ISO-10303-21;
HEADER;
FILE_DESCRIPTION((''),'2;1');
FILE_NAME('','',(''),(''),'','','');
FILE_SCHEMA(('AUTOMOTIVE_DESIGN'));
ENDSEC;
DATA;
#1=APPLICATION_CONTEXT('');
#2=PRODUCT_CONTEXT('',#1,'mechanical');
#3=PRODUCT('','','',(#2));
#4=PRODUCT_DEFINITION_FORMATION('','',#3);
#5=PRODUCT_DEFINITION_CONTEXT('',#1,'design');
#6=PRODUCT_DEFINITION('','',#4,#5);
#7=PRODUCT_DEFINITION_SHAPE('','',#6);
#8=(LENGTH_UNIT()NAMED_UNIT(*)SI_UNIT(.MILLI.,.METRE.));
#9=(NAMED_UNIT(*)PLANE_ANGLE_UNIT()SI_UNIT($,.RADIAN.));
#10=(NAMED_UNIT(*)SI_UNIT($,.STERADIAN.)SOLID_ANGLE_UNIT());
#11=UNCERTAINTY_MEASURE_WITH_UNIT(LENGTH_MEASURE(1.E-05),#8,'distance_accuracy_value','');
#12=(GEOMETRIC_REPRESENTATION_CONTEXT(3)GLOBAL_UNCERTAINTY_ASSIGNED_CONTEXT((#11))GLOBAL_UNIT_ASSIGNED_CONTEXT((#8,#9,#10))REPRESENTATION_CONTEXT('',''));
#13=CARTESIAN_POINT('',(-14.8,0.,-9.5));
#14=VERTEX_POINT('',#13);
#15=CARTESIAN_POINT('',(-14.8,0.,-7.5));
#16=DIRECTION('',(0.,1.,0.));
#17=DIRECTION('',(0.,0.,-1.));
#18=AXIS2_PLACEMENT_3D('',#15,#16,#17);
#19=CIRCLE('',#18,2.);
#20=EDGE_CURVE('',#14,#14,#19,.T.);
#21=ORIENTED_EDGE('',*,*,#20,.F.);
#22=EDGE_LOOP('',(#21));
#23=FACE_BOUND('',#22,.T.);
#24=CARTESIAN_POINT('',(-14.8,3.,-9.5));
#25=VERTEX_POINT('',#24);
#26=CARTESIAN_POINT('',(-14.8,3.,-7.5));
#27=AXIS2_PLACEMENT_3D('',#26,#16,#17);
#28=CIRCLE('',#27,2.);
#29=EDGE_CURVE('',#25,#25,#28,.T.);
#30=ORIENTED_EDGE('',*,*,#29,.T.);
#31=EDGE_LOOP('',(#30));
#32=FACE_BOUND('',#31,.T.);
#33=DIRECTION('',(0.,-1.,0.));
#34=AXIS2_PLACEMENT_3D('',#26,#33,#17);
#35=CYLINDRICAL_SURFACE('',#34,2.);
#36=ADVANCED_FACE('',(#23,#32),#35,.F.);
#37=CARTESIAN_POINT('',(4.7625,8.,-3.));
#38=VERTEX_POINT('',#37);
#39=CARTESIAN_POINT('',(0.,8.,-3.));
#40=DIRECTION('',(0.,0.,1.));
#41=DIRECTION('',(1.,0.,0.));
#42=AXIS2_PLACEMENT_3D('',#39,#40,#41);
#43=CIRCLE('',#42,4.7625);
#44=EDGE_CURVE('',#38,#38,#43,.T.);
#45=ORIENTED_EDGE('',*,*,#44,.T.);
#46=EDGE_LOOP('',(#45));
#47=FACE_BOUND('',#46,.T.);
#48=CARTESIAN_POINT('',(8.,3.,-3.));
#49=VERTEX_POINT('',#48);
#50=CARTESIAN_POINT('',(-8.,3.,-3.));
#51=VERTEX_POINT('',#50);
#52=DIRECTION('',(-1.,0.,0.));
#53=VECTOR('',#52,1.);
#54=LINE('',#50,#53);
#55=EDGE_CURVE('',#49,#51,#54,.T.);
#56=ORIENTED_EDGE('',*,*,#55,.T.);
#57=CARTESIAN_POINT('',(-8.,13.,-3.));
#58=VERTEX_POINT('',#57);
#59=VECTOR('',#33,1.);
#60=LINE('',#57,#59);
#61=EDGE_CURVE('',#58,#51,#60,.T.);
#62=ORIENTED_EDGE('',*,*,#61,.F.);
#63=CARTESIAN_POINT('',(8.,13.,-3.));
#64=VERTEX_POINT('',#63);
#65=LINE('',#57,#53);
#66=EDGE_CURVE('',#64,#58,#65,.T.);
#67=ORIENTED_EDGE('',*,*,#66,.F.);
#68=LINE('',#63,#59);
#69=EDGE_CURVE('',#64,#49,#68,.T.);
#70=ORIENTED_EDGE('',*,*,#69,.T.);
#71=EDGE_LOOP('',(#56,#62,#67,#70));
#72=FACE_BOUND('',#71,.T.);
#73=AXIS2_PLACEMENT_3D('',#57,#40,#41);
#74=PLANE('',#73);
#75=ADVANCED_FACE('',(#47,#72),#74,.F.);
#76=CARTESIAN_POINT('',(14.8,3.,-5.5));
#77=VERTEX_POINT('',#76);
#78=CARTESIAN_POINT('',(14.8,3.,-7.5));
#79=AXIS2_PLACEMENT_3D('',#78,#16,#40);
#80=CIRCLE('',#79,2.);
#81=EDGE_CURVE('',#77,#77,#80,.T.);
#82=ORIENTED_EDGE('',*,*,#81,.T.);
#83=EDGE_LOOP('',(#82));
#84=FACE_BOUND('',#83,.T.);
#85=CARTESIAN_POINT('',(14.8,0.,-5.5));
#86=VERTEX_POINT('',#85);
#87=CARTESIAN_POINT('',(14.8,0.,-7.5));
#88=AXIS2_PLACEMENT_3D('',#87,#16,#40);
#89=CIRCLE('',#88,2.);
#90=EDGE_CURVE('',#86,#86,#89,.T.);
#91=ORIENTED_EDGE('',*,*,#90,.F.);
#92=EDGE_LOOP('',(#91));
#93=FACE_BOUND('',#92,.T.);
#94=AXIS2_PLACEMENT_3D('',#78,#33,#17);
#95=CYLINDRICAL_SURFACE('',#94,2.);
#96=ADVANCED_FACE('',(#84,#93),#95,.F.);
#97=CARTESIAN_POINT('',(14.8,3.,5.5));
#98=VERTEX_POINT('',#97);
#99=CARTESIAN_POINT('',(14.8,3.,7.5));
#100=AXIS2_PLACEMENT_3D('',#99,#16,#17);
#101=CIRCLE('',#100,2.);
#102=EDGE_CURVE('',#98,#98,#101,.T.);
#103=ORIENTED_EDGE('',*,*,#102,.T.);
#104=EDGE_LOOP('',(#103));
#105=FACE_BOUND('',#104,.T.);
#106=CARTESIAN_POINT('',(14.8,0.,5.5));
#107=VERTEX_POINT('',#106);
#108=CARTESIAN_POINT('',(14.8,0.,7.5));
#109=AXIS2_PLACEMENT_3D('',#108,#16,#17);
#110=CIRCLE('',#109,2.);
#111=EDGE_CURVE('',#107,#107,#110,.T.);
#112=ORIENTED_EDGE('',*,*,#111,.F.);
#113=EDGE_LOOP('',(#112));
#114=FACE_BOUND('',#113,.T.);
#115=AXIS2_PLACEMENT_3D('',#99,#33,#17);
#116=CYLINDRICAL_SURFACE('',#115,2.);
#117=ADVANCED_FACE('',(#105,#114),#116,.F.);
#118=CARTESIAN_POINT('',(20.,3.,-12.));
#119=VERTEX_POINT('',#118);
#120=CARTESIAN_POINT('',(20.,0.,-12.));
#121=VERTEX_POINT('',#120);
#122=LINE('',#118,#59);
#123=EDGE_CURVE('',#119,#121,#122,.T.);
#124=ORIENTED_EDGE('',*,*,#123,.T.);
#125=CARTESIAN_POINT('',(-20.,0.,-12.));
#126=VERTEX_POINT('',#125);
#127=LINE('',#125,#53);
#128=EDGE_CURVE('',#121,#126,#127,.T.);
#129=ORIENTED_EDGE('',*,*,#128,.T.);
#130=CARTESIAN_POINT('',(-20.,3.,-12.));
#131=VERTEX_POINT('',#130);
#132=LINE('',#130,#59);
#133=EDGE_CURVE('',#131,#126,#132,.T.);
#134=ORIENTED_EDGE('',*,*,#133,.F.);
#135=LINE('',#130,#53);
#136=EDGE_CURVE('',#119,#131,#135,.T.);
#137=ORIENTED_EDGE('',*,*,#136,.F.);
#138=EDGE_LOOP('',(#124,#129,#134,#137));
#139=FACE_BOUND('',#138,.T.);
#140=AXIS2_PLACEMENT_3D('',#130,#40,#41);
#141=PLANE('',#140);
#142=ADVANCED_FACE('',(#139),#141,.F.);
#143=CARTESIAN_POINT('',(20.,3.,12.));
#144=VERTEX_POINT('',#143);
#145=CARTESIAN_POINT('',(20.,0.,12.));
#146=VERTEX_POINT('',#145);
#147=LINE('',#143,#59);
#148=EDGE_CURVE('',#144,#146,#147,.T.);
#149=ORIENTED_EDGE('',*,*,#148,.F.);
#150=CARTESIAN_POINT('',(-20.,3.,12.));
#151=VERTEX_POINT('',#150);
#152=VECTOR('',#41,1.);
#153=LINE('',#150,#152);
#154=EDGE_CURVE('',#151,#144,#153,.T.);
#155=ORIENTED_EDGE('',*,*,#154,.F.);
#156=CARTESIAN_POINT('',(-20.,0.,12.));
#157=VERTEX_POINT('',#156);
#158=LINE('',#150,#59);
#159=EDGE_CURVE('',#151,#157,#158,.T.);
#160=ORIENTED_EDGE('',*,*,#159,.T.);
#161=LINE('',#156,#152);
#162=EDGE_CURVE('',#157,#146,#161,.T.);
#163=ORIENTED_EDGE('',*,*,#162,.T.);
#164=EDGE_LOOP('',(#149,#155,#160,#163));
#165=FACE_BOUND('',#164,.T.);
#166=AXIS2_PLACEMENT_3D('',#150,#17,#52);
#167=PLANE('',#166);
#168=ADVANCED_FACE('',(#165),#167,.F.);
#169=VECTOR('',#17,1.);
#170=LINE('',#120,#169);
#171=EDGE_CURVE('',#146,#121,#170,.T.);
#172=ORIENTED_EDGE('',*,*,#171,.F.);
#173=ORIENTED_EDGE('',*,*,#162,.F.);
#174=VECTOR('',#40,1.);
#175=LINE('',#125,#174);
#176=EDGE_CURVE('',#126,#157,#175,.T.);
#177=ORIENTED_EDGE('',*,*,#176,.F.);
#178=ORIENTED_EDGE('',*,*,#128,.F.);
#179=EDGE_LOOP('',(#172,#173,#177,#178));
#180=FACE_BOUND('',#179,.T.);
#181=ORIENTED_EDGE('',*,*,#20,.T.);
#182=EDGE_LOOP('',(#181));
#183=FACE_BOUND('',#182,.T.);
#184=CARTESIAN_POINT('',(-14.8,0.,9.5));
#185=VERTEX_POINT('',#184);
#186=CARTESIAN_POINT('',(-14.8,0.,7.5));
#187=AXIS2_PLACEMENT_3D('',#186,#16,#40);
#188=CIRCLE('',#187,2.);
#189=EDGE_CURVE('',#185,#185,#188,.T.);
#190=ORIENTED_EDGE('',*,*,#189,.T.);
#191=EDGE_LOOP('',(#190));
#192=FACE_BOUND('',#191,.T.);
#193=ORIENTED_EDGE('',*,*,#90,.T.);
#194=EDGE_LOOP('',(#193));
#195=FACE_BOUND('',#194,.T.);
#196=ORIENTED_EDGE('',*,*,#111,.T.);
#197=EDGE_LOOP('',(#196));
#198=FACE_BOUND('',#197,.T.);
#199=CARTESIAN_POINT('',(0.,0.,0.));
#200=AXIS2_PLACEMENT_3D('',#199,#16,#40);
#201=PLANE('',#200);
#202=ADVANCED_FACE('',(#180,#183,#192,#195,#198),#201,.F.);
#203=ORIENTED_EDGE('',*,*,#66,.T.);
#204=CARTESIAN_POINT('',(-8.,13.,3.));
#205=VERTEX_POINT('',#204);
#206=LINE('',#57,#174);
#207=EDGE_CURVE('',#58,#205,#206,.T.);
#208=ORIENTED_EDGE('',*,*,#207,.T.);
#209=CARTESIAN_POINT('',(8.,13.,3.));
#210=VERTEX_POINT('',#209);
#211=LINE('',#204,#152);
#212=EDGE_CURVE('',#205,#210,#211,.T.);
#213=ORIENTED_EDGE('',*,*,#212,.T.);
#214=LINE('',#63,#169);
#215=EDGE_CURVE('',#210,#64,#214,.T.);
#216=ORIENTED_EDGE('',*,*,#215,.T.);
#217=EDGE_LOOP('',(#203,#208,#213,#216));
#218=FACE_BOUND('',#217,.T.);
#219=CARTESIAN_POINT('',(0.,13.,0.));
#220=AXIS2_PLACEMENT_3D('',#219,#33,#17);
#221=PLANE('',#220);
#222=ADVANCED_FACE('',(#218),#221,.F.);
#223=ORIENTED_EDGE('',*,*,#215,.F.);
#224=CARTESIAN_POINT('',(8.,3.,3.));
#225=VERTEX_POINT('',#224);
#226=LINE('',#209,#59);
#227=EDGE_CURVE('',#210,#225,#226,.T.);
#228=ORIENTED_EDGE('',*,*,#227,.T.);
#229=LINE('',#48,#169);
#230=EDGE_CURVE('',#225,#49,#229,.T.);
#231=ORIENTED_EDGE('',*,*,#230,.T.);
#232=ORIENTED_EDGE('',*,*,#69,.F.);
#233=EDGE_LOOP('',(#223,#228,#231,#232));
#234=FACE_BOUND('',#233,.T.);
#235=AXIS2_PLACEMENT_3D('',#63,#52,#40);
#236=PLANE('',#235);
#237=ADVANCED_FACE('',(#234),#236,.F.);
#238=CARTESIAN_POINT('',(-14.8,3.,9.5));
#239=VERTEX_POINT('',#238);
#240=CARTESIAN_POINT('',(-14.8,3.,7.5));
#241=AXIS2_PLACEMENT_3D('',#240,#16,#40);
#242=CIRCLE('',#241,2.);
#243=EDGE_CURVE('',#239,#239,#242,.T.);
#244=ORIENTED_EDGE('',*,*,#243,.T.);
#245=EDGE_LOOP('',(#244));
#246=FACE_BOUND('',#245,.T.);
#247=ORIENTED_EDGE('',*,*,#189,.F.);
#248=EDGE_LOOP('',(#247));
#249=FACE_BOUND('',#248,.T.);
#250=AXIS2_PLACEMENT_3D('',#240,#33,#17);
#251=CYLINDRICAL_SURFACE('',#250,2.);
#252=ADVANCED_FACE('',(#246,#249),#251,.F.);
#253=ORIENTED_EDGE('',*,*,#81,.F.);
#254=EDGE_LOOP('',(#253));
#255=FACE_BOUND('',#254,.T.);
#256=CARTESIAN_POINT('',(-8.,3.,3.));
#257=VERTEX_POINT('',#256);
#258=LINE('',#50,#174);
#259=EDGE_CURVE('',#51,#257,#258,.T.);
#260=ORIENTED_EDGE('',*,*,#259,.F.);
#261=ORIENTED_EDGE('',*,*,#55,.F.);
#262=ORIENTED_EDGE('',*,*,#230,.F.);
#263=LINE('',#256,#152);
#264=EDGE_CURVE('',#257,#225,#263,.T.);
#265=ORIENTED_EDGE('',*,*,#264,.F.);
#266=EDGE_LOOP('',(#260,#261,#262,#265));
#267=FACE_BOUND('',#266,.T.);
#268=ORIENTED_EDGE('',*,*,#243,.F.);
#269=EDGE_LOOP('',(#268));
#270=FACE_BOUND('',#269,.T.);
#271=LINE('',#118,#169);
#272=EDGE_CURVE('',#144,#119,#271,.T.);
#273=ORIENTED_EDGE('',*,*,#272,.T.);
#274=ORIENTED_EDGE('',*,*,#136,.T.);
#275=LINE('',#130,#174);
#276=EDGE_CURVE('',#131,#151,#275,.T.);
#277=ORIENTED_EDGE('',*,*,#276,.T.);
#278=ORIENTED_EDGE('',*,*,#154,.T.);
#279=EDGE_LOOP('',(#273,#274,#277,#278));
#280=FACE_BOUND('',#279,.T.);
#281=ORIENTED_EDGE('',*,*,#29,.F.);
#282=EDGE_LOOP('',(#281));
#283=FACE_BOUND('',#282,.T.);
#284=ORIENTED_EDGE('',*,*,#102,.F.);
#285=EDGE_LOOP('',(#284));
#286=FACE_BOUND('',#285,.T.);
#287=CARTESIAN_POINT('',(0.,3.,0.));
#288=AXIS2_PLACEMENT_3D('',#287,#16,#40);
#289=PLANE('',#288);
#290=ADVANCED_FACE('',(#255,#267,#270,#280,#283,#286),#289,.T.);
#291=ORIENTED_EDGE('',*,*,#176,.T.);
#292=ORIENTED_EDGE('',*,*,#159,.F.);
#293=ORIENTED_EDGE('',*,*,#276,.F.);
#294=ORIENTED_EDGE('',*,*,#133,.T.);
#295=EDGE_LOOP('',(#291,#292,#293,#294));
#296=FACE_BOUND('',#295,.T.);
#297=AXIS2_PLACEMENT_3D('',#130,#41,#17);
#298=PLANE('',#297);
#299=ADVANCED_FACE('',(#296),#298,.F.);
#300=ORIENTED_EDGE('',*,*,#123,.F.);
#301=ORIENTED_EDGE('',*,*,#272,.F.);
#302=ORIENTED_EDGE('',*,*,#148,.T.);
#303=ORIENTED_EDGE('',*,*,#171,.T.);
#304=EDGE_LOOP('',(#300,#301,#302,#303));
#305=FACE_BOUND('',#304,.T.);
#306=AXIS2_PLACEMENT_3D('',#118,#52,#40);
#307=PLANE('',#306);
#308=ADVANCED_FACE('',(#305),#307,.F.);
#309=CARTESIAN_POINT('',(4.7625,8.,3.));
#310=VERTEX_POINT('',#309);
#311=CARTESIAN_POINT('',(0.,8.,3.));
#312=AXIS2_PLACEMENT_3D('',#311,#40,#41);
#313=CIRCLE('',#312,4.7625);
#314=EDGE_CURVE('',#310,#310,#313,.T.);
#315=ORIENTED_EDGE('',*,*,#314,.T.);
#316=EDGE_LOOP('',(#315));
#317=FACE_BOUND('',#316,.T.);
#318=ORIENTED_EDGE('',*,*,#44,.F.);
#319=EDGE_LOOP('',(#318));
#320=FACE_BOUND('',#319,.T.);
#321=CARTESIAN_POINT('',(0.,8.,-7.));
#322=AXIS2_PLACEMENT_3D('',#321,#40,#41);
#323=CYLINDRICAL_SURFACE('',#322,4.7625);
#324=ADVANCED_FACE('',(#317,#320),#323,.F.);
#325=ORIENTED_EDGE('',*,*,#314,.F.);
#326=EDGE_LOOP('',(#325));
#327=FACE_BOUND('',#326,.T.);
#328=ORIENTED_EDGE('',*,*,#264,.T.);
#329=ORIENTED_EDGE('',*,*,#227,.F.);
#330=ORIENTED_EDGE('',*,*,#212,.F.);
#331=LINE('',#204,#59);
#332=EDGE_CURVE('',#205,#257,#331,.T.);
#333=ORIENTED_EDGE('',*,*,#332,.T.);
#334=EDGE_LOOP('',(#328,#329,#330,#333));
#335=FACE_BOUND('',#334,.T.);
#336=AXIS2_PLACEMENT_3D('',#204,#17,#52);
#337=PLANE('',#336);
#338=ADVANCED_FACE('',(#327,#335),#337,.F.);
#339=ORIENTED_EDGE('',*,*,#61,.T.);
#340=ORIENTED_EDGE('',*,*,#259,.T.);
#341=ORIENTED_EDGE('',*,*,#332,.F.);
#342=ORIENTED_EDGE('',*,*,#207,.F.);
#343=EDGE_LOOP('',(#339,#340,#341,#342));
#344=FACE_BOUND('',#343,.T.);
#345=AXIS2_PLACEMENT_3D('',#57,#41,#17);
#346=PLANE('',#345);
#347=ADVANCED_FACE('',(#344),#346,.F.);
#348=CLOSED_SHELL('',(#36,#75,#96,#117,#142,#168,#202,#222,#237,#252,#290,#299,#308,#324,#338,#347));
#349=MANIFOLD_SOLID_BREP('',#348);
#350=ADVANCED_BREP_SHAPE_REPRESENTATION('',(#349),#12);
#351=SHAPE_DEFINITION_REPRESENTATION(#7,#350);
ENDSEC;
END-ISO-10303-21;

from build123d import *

# Parameters (mm, degrees)
SKETCH_1_W          = 40
SKETCH_1_H          = 24
SKETCH_1_R          = 2
EXTRUDE_1_DEPTH     = 3
SKETCH_2_W          = 16
SKETCH_2_H          = 6
EXTRUDE_2_DEPTH     = 10
SKETCH_3_R          = 4.7625
CUT_EXTRUDE_1_DEPTH = 10


with BuildPart() as part:
    # 草图1 → 凸台-拉伸1 (new body)
    with BuildSketch(Plane(origin=(0, 0, 0), x_dir=(1, 0, 0), z_dir=(0, 1, 0))):
        Rectangle(SKETCH_1_W, SKETCH_1_H)
        with Locations((-14.8, -7.5)):
            Circle(SKETCH_1_R, mode=Mode.SUBTRACT)
        with Locations((14.8, -7.5)):
            Circle(SKETCH_1_R, mode=Mode.SUBTRACT)
        with Locations((-14.8, 7.5)):
            Circle(SKETCH_1_R, mode=Mode.SUBTRACT)
        with Locations((14.8, 7.5)):
            Circle(SKETCH_1_R, mode=Mode.SUBTRACT)
    extrude(amount=EXTRUDE_1_DEPTH)

    # 草图2 → 凸台-拉伸2 (add)
    with BuildSketch(Plane(origin=(0, 3, 0), x_dir=(1, 0, 0), z_dir=(0, 1, 0))):
        Rectangle(SKETCH_2_W, SKETCH_2_H)
    extrude(amount=EXTRUDE_2_DEPTH)

    # 草图3 → 切除-拉伸1 (cut)
    with BuildSketch(Plane.XY.offset(3)):
        with Locations((0, 8)):
            Circle(SKETCH_3_R)
    extrude(amount=-CUT_EXTRUDE_1_DEPTH, mode=Mode.SUBTRACT)


solid = part.part
